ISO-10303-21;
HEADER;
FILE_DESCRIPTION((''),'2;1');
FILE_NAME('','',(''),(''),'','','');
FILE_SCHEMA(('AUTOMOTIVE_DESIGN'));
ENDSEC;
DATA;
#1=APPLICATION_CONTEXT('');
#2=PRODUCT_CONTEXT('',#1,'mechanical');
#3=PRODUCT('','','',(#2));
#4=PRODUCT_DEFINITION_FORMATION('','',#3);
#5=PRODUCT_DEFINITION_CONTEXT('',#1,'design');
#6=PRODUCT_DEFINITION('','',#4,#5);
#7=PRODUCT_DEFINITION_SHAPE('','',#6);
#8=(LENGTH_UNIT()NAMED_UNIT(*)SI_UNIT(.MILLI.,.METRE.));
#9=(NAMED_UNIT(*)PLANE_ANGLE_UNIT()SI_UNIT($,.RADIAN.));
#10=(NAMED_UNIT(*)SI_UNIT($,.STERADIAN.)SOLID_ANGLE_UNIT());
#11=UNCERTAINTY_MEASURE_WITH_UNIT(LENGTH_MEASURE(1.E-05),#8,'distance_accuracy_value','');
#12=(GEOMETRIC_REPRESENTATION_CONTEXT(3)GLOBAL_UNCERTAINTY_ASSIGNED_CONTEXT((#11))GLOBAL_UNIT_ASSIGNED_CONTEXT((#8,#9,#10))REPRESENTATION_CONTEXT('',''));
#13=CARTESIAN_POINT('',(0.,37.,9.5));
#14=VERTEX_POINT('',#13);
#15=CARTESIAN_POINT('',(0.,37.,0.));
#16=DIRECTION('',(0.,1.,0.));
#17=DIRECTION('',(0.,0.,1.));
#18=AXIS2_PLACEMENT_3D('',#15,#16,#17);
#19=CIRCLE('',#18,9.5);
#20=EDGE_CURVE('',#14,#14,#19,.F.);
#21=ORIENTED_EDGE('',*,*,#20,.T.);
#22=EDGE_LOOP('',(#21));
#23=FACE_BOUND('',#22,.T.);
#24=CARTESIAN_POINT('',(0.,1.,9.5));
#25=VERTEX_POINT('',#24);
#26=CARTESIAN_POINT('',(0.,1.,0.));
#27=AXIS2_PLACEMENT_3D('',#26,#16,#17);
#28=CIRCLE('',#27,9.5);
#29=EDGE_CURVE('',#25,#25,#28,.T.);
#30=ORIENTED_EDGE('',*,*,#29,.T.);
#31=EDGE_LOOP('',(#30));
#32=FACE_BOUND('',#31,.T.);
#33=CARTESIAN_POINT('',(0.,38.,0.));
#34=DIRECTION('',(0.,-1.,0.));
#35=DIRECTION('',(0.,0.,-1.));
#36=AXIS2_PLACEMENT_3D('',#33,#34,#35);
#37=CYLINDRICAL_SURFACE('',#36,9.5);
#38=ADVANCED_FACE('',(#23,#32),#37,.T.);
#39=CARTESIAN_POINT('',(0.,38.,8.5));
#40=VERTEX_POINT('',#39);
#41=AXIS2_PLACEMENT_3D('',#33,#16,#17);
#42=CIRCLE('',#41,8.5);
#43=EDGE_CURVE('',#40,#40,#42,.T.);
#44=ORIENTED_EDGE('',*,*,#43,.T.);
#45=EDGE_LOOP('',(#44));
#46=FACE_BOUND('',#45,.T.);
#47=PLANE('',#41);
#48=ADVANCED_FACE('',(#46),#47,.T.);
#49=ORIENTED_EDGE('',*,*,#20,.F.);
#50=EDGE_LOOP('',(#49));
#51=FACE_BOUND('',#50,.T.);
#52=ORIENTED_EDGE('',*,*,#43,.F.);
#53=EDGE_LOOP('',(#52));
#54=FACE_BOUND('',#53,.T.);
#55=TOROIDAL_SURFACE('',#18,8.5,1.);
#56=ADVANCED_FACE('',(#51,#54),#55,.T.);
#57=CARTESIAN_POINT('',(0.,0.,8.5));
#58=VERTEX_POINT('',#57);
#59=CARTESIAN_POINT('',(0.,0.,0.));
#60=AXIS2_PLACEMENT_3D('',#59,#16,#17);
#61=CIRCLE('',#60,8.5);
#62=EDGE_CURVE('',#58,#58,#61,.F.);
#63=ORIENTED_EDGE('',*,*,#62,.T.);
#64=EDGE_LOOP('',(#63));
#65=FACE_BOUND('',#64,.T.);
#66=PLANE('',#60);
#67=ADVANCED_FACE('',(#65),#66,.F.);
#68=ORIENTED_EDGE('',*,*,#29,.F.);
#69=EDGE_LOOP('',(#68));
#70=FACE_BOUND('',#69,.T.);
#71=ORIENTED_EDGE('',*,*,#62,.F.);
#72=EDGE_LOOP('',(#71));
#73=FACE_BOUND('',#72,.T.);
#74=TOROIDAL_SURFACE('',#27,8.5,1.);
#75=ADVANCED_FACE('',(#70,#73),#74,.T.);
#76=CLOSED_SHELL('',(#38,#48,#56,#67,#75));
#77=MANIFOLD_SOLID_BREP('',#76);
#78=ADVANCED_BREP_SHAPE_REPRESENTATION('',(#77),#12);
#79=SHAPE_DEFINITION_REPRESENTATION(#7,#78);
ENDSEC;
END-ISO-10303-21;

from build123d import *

# Parameters (mm, degrees)
SKETCH_1_R      = 9.5
EXTRUDE_1_DEPTH = 38
FILLET_1_R      = 1


with BuildPart() as part:
    # 草图1 → 凸台-拉伸1 (new body)
    with BuildSketch(Plane(origin=(0, 0, 0), x_dir=(1, 0, 0), z_dir=(0, 1, 0))):
        with Locations(Location((0, 0, 0), (0, 0, 270))):
            Circle(SKETCH_1_R)
    extrude(amount=EXTRUDE_1_DEPTH)

    # 圆角1
    fillet_1_edges = [part.edges().sort_by_distance(p)[0] for p in [
        (0, 0, -9.5),
        (0, 38, -9.5),
    ]]
    fillet(fillet_1_edges, radius=FILLET_1_R)


solid = part.part
